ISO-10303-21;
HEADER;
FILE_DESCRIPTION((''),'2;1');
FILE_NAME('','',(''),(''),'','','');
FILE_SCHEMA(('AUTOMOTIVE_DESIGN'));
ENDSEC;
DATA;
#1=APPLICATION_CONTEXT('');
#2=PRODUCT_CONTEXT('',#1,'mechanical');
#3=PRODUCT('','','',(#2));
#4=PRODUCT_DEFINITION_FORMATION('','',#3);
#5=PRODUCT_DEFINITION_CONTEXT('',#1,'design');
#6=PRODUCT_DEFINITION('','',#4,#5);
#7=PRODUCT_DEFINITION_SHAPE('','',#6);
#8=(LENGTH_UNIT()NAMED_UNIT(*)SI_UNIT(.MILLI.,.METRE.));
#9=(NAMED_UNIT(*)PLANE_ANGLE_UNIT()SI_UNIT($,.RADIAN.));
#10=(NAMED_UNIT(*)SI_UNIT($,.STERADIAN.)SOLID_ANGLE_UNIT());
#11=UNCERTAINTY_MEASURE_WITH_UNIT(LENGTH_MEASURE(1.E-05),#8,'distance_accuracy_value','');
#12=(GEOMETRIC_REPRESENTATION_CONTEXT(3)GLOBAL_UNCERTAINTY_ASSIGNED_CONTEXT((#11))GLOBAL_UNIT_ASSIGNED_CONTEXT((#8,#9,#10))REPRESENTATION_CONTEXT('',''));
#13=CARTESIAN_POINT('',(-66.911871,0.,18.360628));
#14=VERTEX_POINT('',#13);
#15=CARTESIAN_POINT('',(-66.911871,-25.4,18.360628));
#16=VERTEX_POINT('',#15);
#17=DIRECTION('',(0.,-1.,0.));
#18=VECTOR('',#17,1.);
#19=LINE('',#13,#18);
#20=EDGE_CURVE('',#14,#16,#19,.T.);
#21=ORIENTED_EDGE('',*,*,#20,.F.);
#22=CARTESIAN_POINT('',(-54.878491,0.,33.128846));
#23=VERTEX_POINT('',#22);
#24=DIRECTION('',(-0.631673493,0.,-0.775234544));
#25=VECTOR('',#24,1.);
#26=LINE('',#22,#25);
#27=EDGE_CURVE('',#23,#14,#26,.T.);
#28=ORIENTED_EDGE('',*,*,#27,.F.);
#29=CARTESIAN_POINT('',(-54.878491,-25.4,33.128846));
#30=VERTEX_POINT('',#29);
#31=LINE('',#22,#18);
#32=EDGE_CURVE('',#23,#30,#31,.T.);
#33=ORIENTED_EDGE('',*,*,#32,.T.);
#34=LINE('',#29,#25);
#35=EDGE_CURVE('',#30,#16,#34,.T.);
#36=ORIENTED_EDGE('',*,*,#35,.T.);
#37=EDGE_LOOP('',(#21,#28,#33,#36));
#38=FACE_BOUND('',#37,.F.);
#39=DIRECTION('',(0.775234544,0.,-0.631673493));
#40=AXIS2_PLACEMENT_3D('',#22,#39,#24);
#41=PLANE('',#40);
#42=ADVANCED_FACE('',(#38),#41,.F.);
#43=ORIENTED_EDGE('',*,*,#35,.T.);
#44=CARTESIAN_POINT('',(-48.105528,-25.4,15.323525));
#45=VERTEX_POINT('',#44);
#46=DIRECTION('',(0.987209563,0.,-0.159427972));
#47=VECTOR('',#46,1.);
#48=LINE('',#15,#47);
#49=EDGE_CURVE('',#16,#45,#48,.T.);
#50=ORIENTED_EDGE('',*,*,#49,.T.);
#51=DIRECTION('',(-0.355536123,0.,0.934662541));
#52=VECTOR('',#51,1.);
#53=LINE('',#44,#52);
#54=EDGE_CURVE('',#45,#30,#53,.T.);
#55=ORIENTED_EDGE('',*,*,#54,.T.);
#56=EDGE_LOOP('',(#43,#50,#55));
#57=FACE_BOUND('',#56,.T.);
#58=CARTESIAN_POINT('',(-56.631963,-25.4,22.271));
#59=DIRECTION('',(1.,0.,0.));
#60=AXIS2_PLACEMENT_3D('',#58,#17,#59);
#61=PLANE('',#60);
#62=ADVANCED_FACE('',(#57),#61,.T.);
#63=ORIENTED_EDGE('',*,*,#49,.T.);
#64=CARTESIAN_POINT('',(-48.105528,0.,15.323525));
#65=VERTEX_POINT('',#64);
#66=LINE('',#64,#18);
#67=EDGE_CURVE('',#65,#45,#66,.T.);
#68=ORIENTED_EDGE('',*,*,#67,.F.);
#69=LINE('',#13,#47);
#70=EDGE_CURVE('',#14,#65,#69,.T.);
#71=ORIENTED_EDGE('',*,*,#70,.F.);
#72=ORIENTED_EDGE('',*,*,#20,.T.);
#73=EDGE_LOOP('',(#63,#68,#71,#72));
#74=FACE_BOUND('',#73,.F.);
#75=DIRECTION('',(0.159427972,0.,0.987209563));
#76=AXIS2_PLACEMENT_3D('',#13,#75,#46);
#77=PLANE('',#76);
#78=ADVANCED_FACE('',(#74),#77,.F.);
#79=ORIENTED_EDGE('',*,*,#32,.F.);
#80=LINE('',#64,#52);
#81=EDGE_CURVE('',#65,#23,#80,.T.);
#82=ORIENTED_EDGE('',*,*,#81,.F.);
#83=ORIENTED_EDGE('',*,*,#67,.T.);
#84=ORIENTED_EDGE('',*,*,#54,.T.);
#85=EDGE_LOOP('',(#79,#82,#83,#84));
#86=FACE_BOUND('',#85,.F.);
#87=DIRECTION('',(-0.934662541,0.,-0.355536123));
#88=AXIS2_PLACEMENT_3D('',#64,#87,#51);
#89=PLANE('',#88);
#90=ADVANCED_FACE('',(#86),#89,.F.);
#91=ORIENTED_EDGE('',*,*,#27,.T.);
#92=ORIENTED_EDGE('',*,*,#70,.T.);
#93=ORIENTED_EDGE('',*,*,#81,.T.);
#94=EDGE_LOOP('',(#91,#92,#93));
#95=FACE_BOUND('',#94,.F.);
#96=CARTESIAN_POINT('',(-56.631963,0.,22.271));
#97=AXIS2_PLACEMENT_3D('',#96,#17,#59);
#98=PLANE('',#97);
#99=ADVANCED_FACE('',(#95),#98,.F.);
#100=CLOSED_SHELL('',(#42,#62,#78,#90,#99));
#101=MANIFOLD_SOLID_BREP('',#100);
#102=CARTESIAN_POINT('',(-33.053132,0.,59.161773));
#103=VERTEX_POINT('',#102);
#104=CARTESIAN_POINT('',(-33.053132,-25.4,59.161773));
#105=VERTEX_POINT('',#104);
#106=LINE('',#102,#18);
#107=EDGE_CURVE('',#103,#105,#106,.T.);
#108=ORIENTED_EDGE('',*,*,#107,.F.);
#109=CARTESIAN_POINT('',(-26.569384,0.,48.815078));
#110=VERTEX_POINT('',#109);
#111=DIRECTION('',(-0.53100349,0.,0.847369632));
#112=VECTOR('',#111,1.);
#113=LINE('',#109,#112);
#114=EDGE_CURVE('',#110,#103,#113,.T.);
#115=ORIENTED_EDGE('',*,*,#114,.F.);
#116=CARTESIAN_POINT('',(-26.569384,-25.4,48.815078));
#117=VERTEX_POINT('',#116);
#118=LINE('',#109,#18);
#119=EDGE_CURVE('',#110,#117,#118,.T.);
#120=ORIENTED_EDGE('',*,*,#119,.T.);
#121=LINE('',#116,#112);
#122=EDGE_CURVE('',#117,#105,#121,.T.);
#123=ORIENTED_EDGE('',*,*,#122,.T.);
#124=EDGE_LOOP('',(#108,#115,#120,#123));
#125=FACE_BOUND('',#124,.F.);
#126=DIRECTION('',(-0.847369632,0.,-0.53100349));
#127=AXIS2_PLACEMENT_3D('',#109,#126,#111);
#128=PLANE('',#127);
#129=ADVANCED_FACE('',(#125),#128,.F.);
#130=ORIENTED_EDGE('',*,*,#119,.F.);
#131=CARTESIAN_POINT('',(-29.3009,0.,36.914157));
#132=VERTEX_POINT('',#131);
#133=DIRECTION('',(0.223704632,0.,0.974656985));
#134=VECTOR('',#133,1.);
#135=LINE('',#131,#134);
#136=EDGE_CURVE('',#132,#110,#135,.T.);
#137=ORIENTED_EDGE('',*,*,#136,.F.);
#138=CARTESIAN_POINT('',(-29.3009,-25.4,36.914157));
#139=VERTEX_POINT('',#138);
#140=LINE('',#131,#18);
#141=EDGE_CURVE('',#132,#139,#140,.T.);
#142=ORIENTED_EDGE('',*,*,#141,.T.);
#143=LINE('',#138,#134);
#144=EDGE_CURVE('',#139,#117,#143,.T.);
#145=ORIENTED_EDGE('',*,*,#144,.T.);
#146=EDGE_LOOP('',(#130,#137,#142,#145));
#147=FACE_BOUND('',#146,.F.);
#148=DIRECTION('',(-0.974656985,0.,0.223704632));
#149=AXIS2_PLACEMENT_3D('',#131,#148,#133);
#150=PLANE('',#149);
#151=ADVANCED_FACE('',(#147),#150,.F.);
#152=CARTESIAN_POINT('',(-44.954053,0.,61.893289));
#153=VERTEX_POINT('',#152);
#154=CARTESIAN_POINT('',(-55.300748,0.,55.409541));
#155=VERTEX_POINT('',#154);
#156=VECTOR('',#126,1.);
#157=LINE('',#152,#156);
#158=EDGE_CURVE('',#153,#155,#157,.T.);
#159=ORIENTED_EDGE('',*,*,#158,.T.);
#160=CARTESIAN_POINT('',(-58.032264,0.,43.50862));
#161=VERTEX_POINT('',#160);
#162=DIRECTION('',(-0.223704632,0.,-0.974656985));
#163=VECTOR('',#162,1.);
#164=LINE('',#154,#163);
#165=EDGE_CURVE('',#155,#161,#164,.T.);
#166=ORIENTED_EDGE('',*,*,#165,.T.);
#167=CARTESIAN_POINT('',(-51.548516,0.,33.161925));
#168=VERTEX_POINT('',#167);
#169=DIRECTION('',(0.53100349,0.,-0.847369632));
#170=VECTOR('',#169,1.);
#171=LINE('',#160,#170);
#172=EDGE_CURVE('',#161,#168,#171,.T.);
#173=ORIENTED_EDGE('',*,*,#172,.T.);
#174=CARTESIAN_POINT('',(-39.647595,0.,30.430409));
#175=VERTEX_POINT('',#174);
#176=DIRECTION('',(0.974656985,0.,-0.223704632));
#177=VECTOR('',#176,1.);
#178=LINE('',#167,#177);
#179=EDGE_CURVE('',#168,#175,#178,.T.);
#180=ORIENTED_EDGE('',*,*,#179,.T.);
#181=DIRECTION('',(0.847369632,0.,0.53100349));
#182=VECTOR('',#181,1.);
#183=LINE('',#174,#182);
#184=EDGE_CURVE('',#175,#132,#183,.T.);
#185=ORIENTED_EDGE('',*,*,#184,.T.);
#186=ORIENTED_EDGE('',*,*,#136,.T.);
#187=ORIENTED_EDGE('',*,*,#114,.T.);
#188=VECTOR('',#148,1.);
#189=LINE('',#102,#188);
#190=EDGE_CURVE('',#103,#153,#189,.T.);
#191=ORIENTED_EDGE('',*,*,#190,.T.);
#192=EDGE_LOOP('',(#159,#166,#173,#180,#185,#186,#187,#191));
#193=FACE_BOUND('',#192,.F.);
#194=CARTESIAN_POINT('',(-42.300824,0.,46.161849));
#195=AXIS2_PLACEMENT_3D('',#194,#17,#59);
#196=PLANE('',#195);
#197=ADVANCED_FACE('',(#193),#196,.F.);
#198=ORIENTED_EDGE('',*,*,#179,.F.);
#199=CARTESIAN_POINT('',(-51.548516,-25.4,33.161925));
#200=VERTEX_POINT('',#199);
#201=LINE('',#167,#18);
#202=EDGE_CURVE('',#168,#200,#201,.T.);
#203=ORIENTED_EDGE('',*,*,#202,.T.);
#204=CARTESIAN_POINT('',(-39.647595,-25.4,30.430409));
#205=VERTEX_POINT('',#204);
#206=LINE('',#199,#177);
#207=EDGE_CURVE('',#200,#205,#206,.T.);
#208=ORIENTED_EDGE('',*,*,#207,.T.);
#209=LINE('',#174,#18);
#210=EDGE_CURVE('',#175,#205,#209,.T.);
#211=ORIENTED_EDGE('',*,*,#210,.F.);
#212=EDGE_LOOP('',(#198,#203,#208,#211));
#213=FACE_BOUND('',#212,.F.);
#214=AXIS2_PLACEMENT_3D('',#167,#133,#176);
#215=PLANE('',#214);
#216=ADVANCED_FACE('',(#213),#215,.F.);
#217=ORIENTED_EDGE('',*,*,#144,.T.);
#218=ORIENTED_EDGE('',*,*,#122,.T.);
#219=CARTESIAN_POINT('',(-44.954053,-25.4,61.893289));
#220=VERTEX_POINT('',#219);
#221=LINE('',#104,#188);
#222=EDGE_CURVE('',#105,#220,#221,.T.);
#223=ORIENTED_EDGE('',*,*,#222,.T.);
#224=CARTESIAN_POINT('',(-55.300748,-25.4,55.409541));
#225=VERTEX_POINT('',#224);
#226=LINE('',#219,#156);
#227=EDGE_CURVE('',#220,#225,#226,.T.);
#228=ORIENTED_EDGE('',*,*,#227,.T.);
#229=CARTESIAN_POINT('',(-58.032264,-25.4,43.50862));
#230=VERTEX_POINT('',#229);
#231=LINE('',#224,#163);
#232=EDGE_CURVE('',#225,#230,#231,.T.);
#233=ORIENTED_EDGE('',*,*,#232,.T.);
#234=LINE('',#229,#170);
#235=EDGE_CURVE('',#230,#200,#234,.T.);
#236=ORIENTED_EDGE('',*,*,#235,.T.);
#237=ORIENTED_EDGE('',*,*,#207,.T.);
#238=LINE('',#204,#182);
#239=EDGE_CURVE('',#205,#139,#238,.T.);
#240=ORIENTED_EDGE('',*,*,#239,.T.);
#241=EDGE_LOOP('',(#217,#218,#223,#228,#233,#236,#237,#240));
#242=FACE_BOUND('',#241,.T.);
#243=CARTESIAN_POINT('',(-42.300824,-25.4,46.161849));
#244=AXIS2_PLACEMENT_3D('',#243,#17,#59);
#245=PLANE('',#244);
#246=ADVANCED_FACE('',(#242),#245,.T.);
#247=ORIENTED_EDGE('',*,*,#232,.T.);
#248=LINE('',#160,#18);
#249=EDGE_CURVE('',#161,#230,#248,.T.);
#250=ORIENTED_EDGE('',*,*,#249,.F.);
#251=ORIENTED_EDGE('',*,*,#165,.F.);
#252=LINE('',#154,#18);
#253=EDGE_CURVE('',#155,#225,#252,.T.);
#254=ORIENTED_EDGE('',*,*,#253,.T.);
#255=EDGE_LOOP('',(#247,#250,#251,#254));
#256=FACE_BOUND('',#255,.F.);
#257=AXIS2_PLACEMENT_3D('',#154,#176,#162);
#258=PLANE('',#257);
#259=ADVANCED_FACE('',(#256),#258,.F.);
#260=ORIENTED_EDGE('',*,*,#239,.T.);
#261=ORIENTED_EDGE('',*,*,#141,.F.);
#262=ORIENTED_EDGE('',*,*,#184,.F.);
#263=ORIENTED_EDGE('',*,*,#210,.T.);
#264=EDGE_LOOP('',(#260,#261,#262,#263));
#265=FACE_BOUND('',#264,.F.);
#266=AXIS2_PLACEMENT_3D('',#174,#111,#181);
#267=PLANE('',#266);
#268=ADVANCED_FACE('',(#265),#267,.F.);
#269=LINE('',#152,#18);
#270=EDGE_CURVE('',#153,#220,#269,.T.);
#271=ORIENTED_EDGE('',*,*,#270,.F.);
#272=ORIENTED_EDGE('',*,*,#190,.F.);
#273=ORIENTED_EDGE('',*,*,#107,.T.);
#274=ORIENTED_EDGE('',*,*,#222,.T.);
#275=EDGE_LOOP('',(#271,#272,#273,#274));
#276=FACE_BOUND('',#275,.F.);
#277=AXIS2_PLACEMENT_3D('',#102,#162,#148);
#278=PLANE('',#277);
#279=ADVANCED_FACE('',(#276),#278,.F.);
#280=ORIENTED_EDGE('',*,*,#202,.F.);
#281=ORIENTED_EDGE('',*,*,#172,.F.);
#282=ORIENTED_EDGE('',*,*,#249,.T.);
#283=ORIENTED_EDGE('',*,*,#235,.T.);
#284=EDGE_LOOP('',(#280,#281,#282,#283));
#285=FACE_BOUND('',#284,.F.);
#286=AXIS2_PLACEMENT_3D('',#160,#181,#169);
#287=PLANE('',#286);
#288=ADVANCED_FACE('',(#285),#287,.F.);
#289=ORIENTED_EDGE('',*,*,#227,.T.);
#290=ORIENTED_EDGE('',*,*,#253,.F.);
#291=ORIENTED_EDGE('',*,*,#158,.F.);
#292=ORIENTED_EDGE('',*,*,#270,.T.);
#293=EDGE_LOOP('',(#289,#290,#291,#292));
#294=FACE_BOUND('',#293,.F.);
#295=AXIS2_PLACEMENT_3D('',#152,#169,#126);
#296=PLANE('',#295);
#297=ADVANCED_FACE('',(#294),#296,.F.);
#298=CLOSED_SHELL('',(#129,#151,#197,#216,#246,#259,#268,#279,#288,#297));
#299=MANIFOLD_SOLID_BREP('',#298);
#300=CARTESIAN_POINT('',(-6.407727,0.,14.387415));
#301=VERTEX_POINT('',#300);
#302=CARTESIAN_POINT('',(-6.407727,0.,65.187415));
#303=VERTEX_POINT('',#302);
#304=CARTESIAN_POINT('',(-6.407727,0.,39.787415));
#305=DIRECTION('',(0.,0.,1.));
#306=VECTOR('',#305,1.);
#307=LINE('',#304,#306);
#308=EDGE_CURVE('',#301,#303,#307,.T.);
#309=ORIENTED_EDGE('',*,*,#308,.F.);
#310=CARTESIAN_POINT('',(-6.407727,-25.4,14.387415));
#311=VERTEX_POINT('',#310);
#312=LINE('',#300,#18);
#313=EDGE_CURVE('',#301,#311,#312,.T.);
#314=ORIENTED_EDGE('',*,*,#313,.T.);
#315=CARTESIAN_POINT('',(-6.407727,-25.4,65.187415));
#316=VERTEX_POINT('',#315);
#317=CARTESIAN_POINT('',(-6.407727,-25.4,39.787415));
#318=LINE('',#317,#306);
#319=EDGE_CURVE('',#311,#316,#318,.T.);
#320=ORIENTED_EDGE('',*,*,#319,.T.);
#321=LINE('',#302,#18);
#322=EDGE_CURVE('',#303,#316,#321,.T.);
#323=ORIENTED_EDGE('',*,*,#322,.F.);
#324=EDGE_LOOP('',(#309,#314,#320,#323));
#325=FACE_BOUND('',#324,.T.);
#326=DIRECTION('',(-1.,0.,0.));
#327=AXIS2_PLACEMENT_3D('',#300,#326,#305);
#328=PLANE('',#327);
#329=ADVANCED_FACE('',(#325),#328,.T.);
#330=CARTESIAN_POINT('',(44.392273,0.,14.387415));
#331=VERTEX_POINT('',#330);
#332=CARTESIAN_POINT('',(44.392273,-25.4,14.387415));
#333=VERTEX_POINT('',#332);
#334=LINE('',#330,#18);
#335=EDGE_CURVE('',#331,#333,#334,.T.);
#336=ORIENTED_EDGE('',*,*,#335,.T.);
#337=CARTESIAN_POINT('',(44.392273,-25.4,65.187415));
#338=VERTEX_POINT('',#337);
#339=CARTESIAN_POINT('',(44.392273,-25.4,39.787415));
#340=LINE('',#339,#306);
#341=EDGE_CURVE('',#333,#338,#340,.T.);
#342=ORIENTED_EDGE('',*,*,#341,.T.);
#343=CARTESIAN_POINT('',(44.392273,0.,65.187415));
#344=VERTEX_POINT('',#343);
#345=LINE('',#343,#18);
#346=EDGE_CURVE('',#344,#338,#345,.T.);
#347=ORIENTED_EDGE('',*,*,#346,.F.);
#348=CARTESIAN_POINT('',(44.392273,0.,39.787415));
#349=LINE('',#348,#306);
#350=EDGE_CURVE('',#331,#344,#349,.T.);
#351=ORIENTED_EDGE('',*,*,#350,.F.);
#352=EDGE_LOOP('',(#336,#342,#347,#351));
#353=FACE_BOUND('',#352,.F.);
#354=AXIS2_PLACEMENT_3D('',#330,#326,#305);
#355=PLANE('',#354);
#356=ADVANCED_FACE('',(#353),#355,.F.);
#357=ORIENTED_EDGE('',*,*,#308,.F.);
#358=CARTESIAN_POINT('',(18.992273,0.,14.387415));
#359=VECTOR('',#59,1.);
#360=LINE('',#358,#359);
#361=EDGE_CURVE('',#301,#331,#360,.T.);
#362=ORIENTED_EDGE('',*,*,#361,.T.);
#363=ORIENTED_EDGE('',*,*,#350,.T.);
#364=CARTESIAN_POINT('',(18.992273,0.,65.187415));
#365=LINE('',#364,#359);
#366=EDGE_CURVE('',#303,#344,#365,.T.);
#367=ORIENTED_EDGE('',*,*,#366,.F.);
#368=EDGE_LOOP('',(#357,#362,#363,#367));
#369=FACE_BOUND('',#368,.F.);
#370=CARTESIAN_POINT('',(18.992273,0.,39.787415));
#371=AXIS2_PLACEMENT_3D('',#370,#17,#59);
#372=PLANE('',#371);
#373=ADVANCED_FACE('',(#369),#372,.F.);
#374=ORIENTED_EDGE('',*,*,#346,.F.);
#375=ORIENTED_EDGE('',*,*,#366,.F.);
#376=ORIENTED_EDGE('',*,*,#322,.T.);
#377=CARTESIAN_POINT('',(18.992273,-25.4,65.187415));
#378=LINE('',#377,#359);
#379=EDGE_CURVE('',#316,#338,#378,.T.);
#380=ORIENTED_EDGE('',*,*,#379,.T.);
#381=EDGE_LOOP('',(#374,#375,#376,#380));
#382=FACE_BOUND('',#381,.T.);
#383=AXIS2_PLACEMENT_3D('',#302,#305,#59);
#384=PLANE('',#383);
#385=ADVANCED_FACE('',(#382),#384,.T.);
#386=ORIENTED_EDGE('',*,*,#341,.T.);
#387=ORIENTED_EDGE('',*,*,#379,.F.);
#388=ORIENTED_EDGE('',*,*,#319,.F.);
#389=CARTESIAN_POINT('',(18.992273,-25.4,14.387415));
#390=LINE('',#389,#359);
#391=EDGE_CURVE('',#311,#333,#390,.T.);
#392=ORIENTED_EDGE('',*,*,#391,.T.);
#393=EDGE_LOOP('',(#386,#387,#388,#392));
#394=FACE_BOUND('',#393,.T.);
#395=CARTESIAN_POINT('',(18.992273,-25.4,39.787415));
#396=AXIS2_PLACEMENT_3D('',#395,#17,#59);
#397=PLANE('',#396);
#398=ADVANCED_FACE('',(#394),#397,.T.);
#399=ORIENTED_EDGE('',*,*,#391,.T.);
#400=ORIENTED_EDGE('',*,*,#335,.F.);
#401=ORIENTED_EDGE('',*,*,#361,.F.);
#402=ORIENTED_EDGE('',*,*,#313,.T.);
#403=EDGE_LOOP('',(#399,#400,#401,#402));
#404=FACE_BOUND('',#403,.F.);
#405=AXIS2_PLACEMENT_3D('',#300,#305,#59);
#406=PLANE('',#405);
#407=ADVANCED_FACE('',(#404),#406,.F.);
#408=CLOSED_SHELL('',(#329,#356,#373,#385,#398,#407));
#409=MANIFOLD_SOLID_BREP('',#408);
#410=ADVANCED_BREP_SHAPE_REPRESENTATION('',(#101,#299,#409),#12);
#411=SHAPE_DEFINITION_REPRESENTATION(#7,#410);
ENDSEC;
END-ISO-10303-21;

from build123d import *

# Parameters (mm, degrees)
F1_DEPTH = 25.4
F2_W     = 50.8
F2_H     = 50.8
F3_DEPTH = 25.4


with BuildPart() as f1:
    # F0 (on Front) → F1 (new body)
    with BuildSketch(Plane.XZ):
        Polygon((-26.569384, 48.815078), (-33.053132, 59.161773), (-44.954053, 61.893289), (-55.300748, 55.409541), (-58.032264, 43.50862), (-51.548516, 33.161925), (-39.647595, 30.430409), (-29.3009, 36.914157), align=None)
        Polygon((-66.911871, 18.360628), (-48.105528, 15.323525), (-54.878491, 33.128846), align=None)
    extrude(amount=F1_DEPTH)


with BuildPart() as f3:
    # F2 (on Front) → F3 (new body)
    with BuildSketch(Plane.XZ):
        with Locations((18.992273, 39.787415)):
            Rectangle(F2_W, F2_H)
    extrude(amount=F3_DEPTH)


solid = Compound([f1.part, f3.part])
